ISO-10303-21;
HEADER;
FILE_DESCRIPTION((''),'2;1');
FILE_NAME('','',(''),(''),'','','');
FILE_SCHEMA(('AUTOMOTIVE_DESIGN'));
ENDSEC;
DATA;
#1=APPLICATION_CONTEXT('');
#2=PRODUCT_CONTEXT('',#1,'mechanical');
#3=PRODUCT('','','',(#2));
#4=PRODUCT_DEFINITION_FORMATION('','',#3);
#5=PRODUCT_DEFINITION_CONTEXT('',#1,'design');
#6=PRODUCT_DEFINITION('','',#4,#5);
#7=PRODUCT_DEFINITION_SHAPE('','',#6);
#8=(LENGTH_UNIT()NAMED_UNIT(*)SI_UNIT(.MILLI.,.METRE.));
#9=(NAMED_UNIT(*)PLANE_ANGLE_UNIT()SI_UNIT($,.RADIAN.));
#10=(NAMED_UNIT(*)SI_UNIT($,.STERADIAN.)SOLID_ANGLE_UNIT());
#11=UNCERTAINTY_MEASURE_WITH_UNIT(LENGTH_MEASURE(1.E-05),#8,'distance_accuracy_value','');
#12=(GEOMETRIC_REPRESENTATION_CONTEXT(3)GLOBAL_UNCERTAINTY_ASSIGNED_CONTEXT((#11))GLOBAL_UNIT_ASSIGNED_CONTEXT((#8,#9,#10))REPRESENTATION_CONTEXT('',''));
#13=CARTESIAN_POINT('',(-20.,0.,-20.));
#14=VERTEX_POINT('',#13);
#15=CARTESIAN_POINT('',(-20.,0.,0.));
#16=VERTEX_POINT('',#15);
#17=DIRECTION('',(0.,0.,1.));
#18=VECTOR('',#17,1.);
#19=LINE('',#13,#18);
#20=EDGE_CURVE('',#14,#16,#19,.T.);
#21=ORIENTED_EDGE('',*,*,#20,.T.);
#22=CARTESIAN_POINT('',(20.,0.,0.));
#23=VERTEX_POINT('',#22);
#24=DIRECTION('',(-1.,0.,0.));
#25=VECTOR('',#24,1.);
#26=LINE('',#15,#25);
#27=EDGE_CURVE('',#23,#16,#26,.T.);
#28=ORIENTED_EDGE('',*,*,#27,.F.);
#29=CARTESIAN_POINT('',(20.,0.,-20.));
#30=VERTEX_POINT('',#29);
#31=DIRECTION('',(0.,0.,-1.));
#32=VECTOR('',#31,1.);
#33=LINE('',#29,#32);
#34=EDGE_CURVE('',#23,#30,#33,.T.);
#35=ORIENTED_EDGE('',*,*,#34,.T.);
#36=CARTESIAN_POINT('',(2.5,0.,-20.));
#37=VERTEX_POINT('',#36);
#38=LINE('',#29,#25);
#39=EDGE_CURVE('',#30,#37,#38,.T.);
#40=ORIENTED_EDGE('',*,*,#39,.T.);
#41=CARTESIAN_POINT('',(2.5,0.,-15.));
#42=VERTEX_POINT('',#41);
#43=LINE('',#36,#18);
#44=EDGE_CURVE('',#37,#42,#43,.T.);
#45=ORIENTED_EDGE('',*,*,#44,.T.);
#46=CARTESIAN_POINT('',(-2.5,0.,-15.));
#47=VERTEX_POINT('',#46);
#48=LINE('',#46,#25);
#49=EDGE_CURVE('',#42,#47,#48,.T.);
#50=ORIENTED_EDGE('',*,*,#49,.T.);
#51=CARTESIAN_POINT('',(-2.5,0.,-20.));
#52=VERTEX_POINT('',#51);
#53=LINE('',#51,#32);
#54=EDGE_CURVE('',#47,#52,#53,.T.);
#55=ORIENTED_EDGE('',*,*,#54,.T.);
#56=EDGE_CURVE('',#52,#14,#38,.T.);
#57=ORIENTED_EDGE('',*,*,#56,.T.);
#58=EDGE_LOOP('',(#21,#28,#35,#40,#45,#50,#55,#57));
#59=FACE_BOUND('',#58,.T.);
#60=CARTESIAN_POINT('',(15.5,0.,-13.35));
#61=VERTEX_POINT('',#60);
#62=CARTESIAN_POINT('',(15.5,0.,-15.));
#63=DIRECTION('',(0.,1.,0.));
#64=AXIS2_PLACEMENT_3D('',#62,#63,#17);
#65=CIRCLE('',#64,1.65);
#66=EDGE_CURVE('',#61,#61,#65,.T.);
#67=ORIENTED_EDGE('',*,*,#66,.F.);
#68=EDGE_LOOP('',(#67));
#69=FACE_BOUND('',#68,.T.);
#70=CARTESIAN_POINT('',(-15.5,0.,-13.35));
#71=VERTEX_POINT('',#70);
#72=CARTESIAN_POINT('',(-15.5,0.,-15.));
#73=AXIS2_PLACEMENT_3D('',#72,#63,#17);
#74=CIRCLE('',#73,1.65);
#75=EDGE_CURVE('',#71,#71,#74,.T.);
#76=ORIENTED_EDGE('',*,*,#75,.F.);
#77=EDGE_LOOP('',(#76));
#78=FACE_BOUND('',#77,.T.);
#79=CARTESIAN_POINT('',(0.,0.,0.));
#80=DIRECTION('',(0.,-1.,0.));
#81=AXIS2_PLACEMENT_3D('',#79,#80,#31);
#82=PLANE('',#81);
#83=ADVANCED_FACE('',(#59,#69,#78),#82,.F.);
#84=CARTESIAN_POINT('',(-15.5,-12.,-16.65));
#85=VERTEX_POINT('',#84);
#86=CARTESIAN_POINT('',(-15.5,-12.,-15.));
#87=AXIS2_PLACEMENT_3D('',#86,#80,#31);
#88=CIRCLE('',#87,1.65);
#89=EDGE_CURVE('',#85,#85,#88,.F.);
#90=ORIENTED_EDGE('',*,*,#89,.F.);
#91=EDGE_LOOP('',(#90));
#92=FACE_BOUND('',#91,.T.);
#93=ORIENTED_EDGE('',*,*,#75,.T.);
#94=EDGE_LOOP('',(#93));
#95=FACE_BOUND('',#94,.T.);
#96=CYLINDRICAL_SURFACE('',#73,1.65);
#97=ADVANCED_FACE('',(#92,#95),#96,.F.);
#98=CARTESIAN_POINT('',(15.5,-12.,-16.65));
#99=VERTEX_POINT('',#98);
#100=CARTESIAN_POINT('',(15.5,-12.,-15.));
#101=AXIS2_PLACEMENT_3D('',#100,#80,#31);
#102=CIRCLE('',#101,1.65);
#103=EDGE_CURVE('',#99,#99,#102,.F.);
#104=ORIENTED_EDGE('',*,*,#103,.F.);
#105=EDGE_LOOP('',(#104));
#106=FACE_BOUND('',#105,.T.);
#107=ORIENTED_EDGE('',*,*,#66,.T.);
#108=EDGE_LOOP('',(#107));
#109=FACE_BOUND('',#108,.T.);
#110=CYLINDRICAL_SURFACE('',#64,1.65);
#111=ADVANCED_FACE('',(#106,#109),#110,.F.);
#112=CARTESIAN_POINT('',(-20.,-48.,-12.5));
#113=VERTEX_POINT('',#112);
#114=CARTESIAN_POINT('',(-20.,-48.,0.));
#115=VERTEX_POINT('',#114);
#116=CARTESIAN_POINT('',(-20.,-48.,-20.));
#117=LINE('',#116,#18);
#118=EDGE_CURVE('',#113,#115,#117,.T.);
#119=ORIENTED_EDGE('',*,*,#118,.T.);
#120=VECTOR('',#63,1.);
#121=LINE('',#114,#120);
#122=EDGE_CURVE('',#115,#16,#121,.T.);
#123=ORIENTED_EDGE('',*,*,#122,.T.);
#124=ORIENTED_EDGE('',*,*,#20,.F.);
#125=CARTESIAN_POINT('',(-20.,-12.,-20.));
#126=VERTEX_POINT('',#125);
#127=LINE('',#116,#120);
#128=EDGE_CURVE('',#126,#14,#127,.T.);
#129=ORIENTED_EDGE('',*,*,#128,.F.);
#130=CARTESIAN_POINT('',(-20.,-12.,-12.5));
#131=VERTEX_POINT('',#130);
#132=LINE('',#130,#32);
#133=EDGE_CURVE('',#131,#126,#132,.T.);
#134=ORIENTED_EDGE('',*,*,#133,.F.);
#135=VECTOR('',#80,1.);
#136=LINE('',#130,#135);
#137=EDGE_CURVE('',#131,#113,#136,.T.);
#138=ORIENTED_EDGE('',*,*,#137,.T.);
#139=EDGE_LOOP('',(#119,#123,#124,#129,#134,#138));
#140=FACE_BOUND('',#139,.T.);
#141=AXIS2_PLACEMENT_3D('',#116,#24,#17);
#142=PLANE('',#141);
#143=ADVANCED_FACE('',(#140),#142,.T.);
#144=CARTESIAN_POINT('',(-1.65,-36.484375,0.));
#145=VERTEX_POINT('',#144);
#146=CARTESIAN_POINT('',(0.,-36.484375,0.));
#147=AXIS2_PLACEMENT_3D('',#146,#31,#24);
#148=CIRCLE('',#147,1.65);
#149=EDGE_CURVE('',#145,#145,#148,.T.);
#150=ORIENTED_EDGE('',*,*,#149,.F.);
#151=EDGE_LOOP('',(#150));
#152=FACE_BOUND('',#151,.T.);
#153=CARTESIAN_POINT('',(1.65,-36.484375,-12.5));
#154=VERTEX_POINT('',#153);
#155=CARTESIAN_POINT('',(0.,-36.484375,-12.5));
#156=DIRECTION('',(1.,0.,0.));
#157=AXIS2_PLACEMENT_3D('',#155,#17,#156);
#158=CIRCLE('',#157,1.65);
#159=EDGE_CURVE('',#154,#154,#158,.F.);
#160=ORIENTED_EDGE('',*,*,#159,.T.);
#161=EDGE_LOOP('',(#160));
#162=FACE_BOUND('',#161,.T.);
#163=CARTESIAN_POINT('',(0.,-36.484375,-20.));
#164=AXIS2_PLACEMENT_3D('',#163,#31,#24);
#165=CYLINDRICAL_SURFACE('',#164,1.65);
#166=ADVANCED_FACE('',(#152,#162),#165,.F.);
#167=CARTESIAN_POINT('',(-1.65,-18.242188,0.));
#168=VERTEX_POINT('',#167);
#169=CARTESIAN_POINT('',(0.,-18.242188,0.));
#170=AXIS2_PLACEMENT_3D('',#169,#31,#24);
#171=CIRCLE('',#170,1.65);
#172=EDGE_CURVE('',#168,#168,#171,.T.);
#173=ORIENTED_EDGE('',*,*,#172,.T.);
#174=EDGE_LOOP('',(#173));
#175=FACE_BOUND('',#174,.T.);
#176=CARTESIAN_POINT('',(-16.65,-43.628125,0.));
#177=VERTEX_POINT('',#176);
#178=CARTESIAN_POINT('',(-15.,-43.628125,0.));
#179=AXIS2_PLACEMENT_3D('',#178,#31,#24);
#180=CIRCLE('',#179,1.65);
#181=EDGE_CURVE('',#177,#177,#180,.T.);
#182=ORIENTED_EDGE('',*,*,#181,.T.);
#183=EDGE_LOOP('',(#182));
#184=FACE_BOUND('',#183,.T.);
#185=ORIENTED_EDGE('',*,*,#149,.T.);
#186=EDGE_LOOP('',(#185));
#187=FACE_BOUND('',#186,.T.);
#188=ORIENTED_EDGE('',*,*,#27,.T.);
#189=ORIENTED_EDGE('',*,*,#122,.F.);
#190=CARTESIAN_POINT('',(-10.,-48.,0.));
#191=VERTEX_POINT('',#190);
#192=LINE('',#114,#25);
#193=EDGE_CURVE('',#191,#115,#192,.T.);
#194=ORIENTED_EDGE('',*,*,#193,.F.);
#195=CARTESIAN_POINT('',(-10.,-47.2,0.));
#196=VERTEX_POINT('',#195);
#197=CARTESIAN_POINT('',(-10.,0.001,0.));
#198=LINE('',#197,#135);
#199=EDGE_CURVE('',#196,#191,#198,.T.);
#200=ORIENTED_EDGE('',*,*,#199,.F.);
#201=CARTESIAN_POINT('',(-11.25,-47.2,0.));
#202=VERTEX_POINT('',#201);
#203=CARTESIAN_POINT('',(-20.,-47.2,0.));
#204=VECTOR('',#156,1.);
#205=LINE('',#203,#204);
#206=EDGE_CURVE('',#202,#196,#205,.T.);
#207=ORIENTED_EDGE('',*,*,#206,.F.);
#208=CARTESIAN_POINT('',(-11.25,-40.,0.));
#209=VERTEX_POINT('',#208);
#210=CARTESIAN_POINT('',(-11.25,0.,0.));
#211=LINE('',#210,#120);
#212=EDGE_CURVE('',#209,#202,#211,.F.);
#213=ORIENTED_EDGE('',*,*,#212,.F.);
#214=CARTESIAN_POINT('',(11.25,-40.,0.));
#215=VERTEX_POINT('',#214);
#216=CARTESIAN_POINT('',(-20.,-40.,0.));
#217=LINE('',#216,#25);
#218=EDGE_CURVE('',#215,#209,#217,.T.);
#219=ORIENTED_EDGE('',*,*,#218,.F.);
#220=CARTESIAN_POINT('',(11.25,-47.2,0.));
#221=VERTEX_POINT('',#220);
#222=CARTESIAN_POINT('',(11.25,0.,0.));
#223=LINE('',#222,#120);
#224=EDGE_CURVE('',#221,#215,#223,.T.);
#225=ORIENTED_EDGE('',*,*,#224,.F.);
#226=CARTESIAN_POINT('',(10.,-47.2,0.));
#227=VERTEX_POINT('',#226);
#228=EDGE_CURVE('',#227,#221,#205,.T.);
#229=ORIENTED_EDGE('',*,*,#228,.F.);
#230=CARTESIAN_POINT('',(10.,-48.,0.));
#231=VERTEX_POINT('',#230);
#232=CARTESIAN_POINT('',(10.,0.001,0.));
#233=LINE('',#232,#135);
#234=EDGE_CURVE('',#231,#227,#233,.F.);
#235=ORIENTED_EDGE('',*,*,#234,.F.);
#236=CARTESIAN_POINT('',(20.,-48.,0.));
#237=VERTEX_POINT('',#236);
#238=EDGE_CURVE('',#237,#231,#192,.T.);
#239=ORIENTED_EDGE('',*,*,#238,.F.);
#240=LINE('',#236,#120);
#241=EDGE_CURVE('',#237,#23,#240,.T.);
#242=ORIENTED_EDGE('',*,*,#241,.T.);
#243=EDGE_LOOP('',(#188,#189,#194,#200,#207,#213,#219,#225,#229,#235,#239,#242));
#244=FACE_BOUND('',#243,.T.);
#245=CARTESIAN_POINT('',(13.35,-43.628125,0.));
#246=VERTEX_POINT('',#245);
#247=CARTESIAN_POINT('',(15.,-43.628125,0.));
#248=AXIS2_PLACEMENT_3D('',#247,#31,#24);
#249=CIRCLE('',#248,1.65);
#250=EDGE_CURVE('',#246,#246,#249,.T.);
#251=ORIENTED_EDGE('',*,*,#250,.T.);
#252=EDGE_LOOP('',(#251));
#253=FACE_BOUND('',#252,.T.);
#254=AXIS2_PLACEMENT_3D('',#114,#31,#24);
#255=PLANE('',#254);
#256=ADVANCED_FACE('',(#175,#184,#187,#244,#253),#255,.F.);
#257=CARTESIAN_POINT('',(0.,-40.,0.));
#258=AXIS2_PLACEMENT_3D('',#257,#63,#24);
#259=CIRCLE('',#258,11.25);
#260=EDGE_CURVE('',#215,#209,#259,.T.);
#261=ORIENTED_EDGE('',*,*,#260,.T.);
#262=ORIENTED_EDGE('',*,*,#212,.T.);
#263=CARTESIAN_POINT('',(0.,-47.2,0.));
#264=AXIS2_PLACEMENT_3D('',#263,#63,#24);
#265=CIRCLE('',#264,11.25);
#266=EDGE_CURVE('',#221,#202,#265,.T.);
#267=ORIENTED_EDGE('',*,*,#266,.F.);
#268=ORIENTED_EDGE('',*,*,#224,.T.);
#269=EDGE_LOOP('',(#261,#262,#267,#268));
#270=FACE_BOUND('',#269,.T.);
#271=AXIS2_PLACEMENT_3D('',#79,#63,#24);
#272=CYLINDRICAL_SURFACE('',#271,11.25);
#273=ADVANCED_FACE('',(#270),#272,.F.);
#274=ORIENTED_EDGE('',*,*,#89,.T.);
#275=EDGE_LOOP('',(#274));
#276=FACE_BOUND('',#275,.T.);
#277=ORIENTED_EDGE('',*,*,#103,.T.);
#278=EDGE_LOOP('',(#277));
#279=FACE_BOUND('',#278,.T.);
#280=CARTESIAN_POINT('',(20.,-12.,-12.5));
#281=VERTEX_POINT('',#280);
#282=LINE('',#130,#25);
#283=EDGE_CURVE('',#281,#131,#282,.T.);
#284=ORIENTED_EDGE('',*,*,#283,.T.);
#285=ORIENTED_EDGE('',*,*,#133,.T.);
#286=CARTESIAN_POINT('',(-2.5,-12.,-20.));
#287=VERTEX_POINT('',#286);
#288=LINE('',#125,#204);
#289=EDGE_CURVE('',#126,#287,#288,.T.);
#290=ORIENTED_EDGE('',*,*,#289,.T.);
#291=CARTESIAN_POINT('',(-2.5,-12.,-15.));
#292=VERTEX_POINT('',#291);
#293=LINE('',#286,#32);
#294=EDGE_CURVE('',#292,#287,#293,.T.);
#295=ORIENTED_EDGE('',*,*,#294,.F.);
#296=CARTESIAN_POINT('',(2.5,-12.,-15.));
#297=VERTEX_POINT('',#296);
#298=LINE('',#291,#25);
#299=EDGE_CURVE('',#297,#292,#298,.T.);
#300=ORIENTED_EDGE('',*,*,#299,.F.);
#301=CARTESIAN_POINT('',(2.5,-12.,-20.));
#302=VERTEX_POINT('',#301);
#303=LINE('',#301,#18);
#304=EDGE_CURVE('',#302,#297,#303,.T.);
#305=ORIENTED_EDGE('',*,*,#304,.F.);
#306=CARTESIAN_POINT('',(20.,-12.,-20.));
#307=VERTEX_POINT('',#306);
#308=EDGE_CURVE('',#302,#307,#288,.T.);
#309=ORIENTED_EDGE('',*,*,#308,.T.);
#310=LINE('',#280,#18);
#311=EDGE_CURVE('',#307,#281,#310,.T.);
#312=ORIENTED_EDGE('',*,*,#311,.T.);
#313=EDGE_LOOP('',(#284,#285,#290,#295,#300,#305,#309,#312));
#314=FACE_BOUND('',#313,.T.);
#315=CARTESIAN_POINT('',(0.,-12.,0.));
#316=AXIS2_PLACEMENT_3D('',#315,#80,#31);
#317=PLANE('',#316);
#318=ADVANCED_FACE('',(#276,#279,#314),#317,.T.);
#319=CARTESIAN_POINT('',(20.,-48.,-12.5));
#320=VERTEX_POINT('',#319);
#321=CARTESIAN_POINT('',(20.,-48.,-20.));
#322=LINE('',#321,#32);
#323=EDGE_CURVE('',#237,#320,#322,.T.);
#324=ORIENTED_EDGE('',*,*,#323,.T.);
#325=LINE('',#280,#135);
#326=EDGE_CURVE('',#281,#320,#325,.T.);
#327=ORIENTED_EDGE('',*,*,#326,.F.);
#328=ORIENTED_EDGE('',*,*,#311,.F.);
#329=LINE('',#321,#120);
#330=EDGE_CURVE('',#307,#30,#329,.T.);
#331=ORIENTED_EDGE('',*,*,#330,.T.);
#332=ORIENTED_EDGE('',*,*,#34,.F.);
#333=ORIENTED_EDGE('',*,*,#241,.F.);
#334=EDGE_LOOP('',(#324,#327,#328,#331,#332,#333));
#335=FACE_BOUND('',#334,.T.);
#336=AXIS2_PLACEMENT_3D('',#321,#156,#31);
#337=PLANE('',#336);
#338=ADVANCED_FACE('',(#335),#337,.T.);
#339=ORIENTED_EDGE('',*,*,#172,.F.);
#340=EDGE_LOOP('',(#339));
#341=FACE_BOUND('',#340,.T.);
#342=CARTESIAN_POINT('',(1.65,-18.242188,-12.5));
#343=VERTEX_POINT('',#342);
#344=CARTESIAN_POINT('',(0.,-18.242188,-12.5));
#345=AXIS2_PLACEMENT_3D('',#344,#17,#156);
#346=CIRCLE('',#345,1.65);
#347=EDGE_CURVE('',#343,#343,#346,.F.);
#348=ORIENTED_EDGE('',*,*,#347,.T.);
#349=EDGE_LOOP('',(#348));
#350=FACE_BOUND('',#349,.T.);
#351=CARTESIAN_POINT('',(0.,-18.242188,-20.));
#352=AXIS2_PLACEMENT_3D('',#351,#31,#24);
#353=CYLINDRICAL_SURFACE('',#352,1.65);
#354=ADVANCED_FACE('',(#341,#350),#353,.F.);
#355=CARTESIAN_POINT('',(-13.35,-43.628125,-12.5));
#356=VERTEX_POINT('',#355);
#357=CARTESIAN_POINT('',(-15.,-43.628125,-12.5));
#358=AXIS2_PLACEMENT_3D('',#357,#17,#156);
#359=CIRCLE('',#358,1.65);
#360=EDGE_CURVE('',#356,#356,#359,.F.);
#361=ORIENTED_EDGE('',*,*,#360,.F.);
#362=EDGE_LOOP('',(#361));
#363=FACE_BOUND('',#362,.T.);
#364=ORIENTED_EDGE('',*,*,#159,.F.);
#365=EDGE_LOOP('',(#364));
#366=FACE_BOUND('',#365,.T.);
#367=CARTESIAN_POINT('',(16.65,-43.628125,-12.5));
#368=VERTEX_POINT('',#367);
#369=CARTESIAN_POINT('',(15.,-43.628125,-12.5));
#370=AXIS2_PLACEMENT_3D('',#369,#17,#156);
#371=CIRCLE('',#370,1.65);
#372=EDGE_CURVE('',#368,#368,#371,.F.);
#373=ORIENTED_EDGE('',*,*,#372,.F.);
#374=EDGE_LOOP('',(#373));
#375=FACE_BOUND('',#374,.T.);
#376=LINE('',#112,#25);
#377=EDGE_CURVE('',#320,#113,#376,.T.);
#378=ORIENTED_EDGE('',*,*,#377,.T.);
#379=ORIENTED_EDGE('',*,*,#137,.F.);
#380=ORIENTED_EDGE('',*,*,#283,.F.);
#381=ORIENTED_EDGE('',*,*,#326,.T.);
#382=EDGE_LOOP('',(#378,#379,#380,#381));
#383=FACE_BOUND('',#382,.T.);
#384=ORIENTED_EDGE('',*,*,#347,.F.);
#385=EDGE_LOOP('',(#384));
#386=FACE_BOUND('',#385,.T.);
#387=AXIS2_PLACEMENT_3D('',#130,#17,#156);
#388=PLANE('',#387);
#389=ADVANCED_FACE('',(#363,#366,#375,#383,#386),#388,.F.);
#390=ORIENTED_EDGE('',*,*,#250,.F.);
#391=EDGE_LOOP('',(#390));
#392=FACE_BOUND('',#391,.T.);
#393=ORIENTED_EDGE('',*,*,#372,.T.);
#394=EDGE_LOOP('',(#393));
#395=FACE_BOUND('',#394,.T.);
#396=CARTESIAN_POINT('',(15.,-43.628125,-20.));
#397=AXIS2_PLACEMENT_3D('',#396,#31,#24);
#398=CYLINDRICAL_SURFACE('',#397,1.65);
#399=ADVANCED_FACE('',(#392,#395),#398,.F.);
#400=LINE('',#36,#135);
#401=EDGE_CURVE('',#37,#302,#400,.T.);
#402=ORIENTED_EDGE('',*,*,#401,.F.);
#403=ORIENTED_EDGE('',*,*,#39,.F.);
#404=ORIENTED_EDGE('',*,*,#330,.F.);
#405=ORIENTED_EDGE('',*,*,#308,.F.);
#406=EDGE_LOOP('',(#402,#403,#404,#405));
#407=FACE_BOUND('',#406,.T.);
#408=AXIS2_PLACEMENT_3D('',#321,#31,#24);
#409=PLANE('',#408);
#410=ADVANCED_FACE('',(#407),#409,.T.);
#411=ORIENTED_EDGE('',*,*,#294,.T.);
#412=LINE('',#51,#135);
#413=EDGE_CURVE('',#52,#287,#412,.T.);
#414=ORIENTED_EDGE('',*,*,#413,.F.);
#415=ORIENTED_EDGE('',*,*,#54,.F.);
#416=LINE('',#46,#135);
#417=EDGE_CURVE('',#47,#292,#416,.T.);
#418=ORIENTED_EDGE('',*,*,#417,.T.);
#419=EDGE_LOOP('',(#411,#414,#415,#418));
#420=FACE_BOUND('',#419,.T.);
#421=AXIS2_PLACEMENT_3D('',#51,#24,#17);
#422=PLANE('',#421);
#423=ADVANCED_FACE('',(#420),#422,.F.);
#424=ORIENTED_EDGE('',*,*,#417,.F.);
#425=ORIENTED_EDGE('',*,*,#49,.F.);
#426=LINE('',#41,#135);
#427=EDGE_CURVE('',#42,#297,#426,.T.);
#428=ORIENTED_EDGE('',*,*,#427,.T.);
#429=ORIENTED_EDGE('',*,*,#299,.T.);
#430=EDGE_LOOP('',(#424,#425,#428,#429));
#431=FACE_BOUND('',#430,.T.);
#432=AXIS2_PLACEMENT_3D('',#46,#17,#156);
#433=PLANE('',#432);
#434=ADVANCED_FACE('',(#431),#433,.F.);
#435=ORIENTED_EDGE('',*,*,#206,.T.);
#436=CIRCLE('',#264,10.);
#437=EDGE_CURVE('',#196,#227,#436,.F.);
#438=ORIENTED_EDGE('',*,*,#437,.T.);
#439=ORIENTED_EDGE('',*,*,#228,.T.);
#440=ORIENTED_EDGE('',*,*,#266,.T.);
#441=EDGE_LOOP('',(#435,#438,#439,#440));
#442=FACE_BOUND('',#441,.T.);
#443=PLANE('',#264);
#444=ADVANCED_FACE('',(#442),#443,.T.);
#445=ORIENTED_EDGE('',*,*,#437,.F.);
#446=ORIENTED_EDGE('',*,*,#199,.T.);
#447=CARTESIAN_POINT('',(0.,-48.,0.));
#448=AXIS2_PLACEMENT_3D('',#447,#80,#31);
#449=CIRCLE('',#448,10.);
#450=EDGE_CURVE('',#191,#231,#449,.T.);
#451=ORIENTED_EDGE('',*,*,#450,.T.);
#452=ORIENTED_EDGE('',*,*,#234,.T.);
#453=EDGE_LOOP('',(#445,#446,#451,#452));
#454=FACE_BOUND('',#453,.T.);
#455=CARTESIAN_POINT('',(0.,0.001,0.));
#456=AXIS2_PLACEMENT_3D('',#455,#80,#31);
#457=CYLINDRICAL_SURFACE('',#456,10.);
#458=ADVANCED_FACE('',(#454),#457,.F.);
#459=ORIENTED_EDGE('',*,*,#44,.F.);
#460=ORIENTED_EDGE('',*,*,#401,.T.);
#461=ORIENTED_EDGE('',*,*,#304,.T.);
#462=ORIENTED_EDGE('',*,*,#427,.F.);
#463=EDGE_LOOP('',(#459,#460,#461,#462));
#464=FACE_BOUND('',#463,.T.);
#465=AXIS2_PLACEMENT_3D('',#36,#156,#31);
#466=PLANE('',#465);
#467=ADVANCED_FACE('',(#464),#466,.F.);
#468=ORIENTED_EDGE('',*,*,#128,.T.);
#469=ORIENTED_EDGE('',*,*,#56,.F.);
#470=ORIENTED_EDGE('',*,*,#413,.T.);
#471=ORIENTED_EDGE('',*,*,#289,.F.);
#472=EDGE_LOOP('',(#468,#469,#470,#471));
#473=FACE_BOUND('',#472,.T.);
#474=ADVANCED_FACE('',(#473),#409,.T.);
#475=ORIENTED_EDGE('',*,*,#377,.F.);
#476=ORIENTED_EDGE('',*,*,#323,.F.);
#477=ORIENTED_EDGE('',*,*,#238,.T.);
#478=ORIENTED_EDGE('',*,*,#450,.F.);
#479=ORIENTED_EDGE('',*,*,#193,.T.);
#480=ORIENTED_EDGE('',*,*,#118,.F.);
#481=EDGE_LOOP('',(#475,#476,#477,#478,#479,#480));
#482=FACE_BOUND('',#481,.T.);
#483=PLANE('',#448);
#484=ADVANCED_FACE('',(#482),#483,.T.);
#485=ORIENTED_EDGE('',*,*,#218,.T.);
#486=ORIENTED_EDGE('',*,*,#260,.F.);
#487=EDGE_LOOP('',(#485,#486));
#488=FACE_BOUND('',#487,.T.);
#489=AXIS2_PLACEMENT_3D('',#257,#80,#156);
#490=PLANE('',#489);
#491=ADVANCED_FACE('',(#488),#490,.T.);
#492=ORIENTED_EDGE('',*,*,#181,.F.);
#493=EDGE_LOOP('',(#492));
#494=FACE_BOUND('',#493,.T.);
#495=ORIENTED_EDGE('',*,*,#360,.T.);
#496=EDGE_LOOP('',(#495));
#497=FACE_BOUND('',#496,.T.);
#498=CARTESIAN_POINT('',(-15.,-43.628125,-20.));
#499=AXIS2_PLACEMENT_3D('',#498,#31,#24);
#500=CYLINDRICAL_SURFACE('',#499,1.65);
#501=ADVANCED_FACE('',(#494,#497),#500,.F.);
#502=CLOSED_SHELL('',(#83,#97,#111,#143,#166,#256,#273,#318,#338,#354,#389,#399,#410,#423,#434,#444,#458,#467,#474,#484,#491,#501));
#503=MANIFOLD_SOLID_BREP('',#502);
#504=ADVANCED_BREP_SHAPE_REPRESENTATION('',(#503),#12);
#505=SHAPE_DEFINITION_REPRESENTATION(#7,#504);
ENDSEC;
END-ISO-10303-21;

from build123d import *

# Parameters (mm, degrees)
SKETCH1_W             = 40
SKETCH1_H             = 40
BOSS_EXTRUDE1_DEPTH   = 48
M4X0_7_TAPPED_HOLE1_D = 3.3
SKETCH10_W            = 40
SKETCH10_H            = 20
CUT_EXTRUDE4_DEPTH    = 49
SKETCH11_W            = 11.25
SKETCH11_H            = 7.2
CUT_EXTRUDE5_REACH    = 50
SKETCH12_R            = 10
M4X0_7_TAPPED_HOLE2_D = 3.3
SKETCH15_W            = 40
SKETCH15_H            = 7.5
CUT_EXTRUDE6_DEPTH    = 36
SKETCH16_W            = 5
SKETCH16_H            = 5
CUT_EXTRUDE7_DEPTH    = 13


with BuildPart() as part:
    # Sketch1 → Boss-Extrude1 (new body)
    with BuildSketch(Plane(origin=(0, 0, 0), x_dir=(1, 0, 0), z_dir=(0, 1, 0))):
        Rectangle(SKETCH1_W, SKETCH1_H)
    extrude(amount=-BOSS_EXTRUDE1_DEPTH)

    # M4x0.7 Tapped Hole1 (through all)
    with Locations(Plane(origin=(0, 0, 0), x_dir=(1, 0, 0), z_dir=(0, 1, 0))):
        with Locations((-15.5, 15), (15.5, 15), (15.5, -15), (-15.5, -15)):
            Hole(M4X0_7_TAPPED_HOLE1_D / 2)

    # Sketch10 → Cut-Extrude4 (cut, through all)
    with BuildSketch(Plane(origin=(0, 0, 0), x_dir=(1, 0, 0), z_dir=(0, 1, 0))):
        with Locations((0, -10)):
            Rectangle(SKETCH10_W, SKETCH10_H)
    extrude(amount=-CUT_EXTRUDE4_DEPTH, mode=Mode.SUBTRACT)

    # Sketch11 → Cut-Revolve2 (revolve, cut)
    with BuildSketch(Plane.XY):
        with Locations((5.625, -43.6)):
            Rectangle(SKETCH11_W, SKETCH11_H)
    revolve(axis=Axis((0, 0, 0), (0, -1, 0)), mode=Mode.SUBTRACT)

    # Sketch12 → Cut-Extrude5 (cut, up to next)
    with BuildSketch(Plane.XZ.offset(48), mode=Mode.PRIVATE) as cut_extrude5_sk1:
        Circle(SKETCH12_R)
    cut_extrude5_tool1 = extrude(cut_extrude5_sk1.sketch, amount=-CUT_EXTRUDE5_REACH, mode=Mode.PRIVATE) & part.part
    add(cut_extrude5_tool1.solids().sort_by_distance((0, -48, 0))[0], mode=Mode.SUBTRACT)

    # M4x0.7 Tapped Hole2 (through all)
    with Locations(Plane(origin=(0, 0, -20), x_dir=(-1, 0, 0), z_dir=(0, 0, -1))):
        with Locations((15, -43.628125), (-15, -43.628125), (0, -36.484375), (0, -18.2421875)):
            Hole(M4X0_7_TAPPED_HOLE2_D / 2)

    # Sketch15 → Cut-Extrude6 (cut)
    with BuildSketch(Plane.XZ.offset(48)):
        with Locations((0, -16.25)):
            Rectangle(SKETCH15_W, SKETCH15_H)
    extrude(amount=-CUT_EXTRUDE6_DEPTH, mode=Mode.SUBTRACT)

    # Sketch16 → Cut-Extrude7 (cut, through all)
    with BuildSketch(Plane.XZ.offset(12)):
        with Locations((0, -17.5)):
            Rectangle(SKETCH16_W, SKETCH16_H)
    extrude(amount=-CUT_EXTRUDE7_DEPTH, mode=Mode.SUBTRACT)


solid = part.part
